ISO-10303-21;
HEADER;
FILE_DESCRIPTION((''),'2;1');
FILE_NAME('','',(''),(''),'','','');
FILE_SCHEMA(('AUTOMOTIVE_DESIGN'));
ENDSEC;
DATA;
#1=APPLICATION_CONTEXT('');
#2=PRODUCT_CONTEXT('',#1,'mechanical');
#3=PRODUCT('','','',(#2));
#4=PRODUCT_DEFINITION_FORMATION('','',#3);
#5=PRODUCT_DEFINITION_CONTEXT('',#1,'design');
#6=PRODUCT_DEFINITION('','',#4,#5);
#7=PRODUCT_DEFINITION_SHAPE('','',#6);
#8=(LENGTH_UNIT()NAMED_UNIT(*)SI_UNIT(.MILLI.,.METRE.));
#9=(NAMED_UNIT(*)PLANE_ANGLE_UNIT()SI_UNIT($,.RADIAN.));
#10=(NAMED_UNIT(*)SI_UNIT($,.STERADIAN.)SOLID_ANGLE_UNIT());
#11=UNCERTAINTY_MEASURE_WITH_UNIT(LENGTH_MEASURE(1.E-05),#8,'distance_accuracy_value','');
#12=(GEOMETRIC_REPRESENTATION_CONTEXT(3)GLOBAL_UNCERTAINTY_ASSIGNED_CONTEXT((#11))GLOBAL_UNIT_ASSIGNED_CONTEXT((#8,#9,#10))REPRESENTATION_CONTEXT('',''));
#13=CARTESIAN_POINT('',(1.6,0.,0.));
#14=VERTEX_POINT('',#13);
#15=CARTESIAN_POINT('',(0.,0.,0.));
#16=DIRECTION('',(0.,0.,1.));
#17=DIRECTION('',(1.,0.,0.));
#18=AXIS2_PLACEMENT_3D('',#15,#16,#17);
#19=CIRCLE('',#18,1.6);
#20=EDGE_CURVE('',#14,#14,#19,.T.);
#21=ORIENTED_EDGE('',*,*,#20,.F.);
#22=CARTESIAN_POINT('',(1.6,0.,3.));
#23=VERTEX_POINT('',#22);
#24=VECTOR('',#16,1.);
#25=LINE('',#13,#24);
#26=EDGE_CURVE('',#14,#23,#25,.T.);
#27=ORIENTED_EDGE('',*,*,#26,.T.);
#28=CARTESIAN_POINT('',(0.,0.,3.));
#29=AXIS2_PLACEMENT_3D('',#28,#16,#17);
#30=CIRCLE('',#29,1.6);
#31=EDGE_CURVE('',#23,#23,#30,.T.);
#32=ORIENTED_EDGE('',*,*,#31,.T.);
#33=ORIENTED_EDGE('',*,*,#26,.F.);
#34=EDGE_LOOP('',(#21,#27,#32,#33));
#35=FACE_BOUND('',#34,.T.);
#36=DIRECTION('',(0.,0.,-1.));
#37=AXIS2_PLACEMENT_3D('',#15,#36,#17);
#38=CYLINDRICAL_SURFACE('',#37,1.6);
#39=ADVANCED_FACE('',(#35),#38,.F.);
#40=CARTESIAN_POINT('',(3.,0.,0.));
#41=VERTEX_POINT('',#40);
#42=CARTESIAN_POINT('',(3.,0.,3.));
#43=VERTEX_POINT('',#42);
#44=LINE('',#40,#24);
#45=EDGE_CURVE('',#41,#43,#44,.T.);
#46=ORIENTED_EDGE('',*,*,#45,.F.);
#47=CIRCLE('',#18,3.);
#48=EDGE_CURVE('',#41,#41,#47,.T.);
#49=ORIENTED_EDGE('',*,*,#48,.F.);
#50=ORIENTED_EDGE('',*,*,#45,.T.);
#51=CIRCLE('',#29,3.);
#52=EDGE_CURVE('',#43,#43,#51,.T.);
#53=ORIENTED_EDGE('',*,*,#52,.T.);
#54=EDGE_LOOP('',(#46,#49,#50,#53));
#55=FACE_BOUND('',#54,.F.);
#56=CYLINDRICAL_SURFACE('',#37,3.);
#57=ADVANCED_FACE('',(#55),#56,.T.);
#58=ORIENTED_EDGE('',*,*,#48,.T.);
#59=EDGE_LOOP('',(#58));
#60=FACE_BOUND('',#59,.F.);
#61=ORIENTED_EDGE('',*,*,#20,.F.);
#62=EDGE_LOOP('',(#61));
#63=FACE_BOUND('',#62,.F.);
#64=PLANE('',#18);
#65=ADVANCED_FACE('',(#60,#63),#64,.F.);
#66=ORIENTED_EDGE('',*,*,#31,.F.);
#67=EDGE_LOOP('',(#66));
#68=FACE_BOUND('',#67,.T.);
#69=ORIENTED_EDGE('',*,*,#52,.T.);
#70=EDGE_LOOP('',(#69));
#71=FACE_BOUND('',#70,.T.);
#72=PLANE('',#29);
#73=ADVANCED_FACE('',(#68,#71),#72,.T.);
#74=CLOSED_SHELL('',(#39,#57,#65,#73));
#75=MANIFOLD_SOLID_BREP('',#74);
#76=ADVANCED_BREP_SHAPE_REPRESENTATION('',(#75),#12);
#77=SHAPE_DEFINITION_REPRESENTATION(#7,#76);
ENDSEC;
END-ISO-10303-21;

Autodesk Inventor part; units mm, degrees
ref_plane "YZ Plane" through (0, 0, 0) normal (1, 0, 0) x (0, 1, 0)
ref_plane "XZ Plane" through (0, 0, 0) normal (0, 1, 0) x (-1, 0, 0)
ref_plane "XY Plane" through (0, 0, 0) normal (0, 0, 1) x (1, 0, 0)
sketch "Skizze1" plane through (0, 0, 0) normal (0, 0, 1) x (1, 0, 0)
  circle A0 centre (0, 0) radius 1.6
  circle A1 centre (0, 0) radius 3
  dimension "d0" = 3.2
  dimension "d1" = 6
extrude "Extrusion1" add sketch "Skizze1" along normal blind 3
properties part number "Spacer M3 3mm" material "PC/ABS-Kunststoff"
